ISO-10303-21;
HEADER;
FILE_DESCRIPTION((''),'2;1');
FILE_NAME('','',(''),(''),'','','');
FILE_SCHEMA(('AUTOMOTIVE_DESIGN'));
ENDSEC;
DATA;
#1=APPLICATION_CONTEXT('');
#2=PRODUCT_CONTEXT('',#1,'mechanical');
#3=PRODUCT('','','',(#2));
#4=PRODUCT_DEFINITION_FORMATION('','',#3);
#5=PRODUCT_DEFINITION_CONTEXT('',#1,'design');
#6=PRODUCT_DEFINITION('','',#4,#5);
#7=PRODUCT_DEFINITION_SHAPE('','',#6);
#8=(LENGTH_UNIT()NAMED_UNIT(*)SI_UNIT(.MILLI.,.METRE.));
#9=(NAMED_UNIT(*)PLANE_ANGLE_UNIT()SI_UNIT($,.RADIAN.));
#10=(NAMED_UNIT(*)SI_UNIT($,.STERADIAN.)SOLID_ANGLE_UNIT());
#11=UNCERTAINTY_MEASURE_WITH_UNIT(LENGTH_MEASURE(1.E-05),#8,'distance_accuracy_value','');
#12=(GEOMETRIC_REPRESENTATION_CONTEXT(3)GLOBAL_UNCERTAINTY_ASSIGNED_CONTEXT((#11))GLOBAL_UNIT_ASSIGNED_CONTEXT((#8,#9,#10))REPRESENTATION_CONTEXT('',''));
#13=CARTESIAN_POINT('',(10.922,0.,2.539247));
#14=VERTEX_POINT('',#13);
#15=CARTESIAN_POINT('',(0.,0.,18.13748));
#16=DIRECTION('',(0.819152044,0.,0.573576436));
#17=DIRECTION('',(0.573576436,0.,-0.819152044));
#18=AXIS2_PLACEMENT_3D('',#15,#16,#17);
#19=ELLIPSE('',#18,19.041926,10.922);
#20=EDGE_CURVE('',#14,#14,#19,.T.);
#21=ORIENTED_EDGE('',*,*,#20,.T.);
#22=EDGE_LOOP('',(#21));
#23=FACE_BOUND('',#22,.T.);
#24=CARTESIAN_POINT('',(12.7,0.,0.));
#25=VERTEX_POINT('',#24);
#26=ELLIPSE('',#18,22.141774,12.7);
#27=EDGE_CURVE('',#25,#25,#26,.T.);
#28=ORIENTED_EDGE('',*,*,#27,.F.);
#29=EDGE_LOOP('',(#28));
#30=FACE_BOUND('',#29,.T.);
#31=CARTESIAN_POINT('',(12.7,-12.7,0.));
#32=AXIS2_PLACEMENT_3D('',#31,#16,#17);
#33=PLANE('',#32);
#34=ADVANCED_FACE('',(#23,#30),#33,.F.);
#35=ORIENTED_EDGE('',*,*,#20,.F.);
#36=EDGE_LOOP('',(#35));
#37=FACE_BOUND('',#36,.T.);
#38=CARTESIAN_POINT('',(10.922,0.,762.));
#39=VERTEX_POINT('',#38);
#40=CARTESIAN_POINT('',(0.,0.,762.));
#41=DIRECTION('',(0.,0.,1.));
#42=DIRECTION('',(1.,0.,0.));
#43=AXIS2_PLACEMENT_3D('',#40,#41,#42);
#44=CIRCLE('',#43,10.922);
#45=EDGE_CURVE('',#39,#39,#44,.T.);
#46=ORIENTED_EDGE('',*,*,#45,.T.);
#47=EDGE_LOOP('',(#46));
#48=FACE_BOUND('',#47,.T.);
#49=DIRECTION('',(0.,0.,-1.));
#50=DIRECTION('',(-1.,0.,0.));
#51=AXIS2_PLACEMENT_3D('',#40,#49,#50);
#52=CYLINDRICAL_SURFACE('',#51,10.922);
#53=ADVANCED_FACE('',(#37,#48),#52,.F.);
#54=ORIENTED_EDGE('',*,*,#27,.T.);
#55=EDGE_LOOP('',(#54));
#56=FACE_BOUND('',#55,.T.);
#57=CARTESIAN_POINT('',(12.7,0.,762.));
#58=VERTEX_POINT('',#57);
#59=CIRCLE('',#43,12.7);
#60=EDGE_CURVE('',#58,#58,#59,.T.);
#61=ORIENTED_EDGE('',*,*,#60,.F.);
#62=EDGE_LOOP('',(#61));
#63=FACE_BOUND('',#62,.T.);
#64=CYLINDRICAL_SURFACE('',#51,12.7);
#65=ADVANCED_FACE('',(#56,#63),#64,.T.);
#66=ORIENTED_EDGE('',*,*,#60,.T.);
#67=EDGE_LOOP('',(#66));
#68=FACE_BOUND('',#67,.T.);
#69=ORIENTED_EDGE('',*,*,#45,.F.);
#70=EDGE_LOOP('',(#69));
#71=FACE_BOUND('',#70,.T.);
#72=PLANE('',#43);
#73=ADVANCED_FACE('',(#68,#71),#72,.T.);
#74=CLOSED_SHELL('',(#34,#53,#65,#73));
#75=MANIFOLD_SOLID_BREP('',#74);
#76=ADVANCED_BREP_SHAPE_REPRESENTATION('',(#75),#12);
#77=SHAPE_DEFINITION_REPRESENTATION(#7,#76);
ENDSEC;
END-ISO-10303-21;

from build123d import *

# Parameters (mm, degrees)
SKETCH1_R               = 12.7
SKETCH1_R_2             = 10.922
BOSS_EXTRUDE1_DEPTH     = 762
CUT_EXTRUDE1_DEPTH      = 763.211637277
CUT_EXTRUDE1_DEPTH_BACK = 763.211637277


with BuildPart() as part:
    # Sketch1 → Boss-Extrude1 (new body)
    with BuildSketch(Plane.XY):
        Circle(SKETCH1_R)
        Circle(SKETCH1_R_2, mode=Mode.SUBTRACT)
    extrude(amount=BOSS_EXTRUDE1_DEPTH)

    # Sketch3 → Cut-Extrude1 (cut, two sides: drawn at the far end of the back side and taken through both)
    with BuildSketch(Plane(origin=(0, 0, 0), x_dir=(1, 0, 0), z_dir=(0, 1, 0)).offset(-CUT_EXTRUDE1_DEPTH_BACK)):
        Polygon((0, 0), (12.7, 0), (-50.8, -90.687398428), (-50.8, 0), align=None)
    extrude(amount=CUT_EXTRUDE1_DEPTH + CUT_EXTRUDE1_DEPTH_BACK, mode=Mode.SUBTRACT)


solid = part.part
